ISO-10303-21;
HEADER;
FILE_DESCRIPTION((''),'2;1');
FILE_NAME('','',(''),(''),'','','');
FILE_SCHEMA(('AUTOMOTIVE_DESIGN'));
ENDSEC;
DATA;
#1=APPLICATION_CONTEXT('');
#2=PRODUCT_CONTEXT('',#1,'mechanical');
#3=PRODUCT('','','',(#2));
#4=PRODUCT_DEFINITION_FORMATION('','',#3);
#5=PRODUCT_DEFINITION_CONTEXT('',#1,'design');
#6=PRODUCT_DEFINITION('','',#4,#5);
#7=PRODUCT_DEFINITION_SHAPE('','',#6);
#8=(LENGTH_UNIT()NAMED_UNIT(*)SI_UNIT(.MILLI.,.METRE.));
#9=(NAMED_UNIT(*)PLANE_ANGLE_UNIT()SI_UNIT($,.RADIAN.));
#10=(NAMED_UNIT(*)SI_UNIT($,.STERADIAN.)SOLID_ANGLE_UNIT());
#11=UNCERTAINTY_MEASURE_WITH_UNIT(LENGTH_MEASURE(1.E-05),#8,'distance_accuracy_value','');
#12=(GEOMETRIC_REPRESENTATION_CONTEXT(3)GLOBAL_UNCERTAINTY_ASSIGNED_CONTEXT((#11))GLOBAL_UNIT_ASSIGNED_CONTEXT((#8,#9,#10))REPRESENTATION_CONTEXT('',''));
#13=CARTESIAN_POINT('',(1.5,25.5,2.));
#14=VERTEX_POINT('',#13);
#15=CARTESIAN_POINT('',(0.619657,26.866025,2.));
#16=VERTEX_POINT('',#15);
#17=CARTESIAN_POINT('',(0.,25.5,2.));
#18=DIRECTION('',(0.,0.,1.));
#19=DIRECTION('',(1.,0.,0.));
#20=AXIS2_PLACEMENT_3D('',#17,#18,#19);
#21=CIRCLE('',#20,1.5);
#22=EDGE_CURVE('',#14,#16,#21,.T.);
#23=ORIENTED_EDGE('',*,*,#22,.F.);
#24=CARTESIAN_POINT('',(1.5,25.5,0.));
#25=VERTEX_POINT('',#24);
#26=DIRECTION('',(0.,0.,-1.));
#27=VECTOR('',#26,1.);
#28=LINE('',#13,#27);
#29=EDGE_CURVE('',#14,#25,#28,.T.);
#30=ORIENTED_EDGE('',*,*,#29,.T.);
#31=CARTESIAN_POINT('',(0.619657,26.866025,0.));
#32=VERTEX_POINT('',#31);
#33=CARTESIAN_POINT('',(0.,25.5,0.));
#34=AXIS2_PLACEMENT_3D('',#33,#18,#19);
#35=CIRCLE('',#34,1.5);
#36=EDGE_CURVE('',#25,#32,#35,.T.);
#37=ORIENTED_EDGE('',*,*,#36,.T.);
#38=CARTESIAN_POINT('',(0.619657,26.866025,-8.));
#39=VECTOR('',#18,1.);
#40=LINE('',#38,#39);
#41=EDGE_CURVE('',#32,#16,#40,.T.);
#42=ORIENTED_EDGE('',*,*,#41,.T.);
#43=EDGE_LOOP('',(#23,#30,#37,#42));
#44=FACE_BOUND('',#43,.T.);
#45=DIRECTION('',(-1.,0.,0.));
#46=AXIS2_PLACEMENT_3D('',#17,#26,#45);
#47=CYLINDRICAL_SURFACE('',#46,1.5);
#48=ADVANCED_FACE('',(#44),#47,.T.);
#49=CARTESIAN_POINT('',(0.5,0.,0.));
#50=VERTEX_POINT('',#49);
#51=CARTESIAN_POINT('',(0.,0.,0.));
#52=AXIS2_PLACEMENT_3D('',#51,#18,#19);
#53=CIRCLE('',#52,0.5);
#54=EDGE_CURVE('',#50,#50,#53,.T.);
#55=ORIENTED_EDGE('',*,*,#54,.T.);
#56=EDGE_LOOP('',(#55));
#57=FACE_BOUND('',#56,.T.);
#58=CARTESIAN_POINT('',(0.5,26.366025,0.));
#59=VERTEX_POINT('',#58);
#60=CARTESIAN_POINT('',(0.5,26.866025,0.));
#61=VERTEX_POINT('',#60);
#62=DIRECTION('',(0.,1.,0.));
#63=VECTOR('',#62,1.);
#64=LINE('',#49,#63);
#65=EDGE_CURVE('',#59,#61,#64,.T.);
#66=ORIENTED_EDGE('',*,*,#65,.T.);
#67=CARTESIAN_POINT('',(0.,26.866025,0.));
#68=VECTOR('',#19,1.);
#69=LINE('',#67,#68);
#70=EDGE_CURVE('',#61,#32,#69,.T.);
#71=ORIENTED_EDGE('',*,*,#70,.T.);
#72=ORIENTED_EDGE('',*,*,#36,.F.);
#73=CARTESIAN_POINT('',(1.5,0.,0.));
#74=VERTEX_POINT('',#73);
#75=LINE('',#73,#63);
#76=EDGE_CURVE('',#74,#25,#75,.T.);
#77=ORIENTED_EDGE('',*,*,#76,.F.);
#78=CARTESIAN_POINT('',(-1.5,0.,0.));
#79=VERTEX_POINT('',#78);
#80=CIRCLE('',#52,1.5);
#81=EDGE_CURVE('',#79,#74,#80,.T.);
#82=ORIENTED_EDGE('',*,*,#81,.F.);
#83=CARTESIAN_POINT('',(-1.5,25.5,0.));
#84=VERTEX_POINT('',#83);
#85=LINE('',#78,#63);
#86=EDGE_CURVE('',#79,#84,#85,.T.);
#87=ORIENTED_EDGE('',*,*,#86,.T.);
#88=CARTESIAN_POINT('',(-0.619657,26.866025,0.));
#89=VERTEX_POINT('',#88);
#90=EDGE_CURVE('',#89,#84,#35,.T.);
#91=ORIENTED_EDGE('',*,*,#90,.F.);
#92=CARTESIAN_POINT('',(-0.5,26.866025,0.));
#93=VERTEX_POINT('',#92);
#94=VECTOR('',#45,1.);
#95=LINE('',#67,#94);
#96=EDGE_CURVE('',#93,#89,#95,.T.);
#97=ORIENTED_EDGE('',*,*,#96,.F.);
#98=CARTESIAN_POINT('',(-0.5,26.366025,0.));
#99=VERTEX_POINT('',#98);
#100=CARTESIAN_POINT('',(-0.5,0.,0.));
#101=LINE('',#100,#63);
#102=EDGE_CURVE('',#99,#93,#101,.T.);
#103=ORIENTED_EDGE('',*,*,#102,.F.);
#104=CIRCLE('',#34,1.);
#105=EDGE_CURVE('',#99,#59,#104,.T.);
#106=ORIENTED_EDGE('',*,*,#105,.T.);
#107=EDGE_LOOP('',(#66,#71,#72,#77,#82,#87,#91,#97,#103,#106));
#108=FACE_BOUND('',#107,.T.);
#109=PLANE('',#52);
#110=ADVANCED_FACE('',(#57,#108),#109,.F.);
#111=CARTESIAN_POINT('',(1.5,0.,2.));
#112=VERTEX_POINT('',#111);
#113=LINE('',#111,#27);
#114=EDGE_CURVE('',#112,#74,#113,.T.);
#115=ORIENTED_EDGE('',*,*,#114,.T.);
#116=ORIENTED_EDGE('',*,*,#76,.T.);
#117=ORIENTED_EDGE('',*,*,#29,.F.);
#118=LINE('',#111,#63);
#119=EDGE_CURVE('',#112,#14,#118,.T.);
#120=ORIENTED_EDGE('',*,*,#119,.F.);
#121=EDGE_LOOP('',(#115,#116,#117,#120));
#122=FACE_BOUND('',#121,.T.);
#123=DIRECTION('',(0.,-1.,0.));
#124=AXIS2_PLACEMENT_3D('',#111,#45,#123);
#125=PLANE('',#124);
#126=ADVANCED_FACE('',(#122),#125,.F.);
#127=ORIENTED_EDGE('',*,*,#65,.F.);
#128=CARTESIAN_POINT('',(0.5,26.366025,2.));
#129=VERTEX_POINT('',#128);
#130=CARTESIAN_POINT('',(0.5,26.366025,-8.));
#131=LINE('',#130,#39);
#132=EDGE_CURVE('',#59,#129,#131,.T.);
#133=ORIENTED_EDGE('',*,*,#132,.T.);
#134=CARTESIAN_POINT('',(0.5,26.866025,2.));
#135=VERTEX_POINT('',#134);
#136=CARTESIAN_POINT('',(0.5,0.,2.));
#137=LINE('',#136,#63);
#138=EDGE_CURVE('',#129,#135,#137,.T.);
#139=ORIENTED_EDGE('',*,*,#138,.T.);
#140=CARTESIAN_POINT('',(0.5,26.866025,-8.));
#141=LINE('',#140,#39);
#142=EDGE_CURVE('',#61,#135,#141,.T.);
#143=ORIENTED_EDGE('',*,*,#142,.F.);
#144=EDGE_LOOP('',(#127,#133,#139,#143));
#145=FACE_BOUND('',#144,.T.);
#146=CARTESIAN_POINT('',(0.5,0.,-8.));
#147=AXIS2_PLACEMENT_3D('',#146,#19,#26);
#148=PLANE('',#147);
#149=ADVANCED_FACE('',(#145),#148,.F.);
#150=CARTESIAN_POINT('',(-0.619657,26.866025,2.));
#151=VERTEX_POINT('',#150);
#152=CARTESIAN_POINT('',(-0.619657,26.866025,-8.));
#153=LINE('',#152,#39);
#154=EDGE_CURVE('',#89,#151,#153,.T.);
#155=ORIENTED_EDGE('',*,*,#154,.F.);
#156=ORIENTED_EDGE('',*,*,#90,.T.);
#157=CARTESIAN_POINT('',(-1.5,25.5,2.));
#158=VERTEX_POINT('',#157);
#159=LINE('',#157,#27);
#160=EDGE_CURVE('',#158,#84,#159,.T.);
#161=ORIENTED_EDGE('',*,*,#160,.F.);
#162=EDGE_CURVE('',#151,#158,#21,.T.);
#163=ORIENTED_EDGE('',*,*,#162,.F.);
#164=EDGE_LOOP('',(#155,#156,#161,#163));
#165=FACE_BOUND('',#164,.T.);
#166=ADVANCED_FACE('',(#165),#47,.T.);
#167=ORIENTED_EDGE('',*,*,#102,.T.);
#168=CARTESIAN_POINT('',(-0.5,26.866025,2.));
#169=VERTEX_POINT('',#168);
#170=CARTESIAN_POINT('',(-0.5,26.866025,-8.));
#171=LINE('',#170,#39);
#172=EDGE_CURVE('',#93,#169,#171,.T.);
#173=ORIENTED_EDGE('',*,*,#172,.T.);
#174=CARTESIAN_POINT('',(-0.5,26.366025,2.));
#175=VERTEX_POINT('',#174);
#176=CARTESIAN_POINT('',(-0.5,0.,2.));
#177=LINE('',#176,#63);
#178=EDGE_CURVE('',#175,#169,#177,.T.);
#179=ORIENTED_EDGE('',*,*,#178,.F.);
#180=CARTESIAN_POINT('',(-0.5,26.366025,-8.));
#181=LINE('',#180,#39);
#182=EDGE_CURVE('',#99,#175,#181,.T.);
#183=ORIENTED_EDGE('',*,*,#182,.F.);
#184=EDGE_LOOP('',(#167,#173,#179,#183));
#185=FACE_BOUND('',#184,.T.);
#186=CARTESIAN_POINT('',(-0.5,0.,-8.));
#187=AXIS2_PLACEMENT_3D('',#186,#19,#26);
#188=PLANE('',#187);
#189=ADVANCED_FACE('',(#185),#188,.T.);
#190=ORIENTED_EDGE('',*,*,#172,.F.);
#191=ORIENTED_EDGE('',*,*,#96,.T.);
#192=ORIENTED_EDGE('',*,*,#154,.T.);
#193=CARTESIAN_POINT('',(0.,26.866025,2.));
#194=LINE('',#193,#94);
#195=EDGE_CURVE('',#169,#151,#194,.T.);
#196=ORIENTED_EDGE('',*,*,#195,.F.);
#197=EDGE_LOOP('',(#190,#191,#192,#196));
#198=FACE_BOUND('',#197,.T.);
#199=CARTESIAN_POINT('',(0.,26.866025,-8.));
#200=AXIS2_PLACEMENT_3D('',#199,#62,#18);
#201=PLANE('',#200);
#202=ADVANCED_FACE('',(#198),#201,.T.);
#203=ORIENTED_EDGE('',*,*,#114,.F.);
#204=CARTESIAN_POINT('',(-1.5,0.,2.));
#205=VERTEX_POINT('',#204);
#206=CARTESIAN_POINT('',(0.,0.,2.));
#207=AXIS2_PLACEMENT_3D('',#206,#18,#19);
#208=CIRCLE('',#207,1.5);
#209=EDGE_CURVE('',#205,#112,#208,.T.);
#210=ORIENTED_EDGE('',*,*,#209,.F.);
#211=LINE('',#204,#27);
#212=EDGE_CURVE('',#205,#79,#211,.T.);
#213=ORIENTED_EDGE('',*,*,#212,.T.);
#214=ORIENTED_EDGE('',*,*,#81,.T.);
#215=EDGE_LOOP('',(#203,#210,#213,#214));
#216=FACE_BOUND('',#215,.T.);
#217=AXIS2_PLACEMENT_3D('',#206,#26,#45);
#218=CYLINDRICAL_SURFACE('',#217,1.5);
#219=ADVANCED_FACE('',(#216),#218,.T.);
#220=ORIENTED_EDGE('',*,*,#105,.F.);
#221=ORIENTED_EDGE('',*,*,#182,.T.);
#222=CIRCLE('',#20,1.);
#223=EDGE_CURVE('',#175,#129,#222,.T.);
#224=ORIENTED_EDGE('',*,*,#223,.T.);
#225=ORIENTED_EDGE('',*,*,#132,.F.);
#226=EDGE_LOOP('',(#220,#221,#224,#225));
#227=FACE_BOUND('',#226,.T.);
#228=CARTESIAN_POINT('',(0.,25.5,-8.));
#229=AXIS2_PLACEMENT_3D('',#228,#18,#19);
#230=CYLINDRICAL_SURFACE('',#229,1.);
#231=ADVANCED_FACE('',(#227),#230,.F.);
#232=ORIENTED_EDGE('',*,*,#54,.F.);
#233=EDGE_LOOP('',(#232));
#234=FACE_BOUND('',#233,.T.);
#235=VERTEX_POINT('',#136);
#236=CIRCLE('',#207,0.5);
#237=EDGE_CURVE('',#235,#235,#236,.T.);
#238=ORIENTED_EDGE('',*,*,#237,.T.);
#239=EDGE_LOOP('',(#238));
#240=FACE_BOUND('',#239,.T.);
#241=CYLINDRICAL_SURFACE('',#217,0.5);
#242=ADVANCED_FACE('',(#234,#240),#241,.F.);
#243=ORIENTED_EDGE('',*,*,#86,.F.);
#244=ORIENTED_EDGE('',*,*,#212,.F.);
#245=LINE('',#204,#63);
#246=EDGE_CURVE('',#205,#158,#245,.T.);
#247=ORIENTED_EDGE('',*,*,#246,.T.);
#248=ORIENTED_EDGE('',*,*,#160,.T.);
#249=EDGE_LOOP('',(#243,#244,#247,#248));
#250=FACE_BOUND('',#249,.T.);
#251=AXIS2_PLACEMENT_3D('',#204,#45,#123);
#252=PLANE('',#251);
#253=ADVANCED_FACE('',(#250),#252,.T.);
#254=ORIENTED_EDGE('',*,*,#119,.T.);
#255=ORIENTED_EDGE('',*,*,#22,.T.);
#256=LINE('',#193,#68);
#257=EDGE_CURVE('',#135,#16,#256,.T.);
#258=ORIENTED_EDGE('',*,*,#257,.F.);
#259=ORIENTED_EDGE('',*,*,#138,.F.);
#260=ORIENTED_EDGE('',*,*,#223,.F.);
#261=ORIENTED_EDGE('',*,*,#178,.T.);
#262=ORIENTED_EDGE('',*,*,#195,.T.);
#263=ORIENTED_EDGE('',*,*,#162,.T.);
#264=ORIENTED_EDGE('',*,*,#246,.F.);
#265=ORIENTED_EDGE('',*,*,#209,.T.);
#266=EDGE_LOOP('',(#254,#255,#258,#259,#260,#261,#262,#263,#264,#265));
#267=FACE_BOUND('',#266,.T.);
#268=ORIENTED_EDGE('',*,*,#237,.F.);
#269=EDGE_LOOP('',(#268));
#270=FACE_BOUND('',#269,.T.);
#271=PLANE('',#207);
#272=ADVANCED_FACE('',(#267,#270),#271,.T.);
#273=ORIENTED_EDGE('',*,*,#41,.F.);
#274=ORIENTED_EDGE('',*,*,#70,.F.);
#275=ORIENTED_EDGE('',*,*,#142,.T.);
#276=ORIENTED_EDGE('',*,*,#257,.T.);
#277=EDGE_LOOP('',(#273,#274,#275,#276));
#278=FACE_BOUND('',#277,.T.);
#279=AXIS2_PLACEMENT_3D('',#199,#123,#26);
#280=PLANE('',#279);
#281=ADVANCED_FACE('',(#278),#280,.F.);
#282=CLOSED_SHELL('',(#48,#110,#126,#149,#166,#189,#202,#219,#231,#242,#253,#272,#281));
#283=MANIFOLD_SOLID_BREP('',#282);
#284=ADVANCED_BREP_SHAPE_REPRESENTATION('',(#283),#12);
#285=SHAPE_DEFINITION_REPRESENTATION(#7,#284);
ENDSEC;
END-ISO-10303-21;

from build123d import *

# Parameters (mm, degrees)
SKETCH_1_R          = 0.5
EXTRUDE_1_DEPTH     = 2
CUT_EXTRUDE_1_DEPTH = 10


with BuildPart() as part:
    # 草图1 → 凸台-拉伸1 (new body)
    with BuildSketch(Plane.XY):
        with BuildLine():
            Line((-1.5, 25.5), (-1.5, 0))
            ThreePointArc((-1.5, 0), (0, -1.5), (1.5, 0))
            Line((1.5, 0), (1.5, 25.5))
            ThreePointArc((1.5, 25.5), (0, 27), (-1.5, 25.5))
        make_face()
        Circle(SKETCH_1_R, mode=Mode.SUBTRACT)
    extrude(amount=EXTRUDE_1_DEPTH)

    # 草图2 → 切除-拉伸1 (cut)
    with BuildSketch(Plane.XY.offset(2)):
        with BuildLine():
            Line((-0.5, 26.866025404), (-0.5, 26.366025404))
            ThreePointArc((-0.5, 26.366025404), (0, 24.5), (0.5, 26.366025404))
            Line((0.5, 26.366025404), (0.5, 26.866025404))
            Line((0.5, 26.866025404), (0.619656837, 26.866025404))
            ThreePointArc((0.619656837, 26.866025404), (0, 27), (-0.619656837, 26.866025404))
            Line((-0.619656837, 26.866025404), (-0.5, 26.866025404))
        make_face()
    extrude(amount=-CUT_EXTRUDE_1_DEPTH, mode=Mode.SUBTRACT)


solid = part.part
